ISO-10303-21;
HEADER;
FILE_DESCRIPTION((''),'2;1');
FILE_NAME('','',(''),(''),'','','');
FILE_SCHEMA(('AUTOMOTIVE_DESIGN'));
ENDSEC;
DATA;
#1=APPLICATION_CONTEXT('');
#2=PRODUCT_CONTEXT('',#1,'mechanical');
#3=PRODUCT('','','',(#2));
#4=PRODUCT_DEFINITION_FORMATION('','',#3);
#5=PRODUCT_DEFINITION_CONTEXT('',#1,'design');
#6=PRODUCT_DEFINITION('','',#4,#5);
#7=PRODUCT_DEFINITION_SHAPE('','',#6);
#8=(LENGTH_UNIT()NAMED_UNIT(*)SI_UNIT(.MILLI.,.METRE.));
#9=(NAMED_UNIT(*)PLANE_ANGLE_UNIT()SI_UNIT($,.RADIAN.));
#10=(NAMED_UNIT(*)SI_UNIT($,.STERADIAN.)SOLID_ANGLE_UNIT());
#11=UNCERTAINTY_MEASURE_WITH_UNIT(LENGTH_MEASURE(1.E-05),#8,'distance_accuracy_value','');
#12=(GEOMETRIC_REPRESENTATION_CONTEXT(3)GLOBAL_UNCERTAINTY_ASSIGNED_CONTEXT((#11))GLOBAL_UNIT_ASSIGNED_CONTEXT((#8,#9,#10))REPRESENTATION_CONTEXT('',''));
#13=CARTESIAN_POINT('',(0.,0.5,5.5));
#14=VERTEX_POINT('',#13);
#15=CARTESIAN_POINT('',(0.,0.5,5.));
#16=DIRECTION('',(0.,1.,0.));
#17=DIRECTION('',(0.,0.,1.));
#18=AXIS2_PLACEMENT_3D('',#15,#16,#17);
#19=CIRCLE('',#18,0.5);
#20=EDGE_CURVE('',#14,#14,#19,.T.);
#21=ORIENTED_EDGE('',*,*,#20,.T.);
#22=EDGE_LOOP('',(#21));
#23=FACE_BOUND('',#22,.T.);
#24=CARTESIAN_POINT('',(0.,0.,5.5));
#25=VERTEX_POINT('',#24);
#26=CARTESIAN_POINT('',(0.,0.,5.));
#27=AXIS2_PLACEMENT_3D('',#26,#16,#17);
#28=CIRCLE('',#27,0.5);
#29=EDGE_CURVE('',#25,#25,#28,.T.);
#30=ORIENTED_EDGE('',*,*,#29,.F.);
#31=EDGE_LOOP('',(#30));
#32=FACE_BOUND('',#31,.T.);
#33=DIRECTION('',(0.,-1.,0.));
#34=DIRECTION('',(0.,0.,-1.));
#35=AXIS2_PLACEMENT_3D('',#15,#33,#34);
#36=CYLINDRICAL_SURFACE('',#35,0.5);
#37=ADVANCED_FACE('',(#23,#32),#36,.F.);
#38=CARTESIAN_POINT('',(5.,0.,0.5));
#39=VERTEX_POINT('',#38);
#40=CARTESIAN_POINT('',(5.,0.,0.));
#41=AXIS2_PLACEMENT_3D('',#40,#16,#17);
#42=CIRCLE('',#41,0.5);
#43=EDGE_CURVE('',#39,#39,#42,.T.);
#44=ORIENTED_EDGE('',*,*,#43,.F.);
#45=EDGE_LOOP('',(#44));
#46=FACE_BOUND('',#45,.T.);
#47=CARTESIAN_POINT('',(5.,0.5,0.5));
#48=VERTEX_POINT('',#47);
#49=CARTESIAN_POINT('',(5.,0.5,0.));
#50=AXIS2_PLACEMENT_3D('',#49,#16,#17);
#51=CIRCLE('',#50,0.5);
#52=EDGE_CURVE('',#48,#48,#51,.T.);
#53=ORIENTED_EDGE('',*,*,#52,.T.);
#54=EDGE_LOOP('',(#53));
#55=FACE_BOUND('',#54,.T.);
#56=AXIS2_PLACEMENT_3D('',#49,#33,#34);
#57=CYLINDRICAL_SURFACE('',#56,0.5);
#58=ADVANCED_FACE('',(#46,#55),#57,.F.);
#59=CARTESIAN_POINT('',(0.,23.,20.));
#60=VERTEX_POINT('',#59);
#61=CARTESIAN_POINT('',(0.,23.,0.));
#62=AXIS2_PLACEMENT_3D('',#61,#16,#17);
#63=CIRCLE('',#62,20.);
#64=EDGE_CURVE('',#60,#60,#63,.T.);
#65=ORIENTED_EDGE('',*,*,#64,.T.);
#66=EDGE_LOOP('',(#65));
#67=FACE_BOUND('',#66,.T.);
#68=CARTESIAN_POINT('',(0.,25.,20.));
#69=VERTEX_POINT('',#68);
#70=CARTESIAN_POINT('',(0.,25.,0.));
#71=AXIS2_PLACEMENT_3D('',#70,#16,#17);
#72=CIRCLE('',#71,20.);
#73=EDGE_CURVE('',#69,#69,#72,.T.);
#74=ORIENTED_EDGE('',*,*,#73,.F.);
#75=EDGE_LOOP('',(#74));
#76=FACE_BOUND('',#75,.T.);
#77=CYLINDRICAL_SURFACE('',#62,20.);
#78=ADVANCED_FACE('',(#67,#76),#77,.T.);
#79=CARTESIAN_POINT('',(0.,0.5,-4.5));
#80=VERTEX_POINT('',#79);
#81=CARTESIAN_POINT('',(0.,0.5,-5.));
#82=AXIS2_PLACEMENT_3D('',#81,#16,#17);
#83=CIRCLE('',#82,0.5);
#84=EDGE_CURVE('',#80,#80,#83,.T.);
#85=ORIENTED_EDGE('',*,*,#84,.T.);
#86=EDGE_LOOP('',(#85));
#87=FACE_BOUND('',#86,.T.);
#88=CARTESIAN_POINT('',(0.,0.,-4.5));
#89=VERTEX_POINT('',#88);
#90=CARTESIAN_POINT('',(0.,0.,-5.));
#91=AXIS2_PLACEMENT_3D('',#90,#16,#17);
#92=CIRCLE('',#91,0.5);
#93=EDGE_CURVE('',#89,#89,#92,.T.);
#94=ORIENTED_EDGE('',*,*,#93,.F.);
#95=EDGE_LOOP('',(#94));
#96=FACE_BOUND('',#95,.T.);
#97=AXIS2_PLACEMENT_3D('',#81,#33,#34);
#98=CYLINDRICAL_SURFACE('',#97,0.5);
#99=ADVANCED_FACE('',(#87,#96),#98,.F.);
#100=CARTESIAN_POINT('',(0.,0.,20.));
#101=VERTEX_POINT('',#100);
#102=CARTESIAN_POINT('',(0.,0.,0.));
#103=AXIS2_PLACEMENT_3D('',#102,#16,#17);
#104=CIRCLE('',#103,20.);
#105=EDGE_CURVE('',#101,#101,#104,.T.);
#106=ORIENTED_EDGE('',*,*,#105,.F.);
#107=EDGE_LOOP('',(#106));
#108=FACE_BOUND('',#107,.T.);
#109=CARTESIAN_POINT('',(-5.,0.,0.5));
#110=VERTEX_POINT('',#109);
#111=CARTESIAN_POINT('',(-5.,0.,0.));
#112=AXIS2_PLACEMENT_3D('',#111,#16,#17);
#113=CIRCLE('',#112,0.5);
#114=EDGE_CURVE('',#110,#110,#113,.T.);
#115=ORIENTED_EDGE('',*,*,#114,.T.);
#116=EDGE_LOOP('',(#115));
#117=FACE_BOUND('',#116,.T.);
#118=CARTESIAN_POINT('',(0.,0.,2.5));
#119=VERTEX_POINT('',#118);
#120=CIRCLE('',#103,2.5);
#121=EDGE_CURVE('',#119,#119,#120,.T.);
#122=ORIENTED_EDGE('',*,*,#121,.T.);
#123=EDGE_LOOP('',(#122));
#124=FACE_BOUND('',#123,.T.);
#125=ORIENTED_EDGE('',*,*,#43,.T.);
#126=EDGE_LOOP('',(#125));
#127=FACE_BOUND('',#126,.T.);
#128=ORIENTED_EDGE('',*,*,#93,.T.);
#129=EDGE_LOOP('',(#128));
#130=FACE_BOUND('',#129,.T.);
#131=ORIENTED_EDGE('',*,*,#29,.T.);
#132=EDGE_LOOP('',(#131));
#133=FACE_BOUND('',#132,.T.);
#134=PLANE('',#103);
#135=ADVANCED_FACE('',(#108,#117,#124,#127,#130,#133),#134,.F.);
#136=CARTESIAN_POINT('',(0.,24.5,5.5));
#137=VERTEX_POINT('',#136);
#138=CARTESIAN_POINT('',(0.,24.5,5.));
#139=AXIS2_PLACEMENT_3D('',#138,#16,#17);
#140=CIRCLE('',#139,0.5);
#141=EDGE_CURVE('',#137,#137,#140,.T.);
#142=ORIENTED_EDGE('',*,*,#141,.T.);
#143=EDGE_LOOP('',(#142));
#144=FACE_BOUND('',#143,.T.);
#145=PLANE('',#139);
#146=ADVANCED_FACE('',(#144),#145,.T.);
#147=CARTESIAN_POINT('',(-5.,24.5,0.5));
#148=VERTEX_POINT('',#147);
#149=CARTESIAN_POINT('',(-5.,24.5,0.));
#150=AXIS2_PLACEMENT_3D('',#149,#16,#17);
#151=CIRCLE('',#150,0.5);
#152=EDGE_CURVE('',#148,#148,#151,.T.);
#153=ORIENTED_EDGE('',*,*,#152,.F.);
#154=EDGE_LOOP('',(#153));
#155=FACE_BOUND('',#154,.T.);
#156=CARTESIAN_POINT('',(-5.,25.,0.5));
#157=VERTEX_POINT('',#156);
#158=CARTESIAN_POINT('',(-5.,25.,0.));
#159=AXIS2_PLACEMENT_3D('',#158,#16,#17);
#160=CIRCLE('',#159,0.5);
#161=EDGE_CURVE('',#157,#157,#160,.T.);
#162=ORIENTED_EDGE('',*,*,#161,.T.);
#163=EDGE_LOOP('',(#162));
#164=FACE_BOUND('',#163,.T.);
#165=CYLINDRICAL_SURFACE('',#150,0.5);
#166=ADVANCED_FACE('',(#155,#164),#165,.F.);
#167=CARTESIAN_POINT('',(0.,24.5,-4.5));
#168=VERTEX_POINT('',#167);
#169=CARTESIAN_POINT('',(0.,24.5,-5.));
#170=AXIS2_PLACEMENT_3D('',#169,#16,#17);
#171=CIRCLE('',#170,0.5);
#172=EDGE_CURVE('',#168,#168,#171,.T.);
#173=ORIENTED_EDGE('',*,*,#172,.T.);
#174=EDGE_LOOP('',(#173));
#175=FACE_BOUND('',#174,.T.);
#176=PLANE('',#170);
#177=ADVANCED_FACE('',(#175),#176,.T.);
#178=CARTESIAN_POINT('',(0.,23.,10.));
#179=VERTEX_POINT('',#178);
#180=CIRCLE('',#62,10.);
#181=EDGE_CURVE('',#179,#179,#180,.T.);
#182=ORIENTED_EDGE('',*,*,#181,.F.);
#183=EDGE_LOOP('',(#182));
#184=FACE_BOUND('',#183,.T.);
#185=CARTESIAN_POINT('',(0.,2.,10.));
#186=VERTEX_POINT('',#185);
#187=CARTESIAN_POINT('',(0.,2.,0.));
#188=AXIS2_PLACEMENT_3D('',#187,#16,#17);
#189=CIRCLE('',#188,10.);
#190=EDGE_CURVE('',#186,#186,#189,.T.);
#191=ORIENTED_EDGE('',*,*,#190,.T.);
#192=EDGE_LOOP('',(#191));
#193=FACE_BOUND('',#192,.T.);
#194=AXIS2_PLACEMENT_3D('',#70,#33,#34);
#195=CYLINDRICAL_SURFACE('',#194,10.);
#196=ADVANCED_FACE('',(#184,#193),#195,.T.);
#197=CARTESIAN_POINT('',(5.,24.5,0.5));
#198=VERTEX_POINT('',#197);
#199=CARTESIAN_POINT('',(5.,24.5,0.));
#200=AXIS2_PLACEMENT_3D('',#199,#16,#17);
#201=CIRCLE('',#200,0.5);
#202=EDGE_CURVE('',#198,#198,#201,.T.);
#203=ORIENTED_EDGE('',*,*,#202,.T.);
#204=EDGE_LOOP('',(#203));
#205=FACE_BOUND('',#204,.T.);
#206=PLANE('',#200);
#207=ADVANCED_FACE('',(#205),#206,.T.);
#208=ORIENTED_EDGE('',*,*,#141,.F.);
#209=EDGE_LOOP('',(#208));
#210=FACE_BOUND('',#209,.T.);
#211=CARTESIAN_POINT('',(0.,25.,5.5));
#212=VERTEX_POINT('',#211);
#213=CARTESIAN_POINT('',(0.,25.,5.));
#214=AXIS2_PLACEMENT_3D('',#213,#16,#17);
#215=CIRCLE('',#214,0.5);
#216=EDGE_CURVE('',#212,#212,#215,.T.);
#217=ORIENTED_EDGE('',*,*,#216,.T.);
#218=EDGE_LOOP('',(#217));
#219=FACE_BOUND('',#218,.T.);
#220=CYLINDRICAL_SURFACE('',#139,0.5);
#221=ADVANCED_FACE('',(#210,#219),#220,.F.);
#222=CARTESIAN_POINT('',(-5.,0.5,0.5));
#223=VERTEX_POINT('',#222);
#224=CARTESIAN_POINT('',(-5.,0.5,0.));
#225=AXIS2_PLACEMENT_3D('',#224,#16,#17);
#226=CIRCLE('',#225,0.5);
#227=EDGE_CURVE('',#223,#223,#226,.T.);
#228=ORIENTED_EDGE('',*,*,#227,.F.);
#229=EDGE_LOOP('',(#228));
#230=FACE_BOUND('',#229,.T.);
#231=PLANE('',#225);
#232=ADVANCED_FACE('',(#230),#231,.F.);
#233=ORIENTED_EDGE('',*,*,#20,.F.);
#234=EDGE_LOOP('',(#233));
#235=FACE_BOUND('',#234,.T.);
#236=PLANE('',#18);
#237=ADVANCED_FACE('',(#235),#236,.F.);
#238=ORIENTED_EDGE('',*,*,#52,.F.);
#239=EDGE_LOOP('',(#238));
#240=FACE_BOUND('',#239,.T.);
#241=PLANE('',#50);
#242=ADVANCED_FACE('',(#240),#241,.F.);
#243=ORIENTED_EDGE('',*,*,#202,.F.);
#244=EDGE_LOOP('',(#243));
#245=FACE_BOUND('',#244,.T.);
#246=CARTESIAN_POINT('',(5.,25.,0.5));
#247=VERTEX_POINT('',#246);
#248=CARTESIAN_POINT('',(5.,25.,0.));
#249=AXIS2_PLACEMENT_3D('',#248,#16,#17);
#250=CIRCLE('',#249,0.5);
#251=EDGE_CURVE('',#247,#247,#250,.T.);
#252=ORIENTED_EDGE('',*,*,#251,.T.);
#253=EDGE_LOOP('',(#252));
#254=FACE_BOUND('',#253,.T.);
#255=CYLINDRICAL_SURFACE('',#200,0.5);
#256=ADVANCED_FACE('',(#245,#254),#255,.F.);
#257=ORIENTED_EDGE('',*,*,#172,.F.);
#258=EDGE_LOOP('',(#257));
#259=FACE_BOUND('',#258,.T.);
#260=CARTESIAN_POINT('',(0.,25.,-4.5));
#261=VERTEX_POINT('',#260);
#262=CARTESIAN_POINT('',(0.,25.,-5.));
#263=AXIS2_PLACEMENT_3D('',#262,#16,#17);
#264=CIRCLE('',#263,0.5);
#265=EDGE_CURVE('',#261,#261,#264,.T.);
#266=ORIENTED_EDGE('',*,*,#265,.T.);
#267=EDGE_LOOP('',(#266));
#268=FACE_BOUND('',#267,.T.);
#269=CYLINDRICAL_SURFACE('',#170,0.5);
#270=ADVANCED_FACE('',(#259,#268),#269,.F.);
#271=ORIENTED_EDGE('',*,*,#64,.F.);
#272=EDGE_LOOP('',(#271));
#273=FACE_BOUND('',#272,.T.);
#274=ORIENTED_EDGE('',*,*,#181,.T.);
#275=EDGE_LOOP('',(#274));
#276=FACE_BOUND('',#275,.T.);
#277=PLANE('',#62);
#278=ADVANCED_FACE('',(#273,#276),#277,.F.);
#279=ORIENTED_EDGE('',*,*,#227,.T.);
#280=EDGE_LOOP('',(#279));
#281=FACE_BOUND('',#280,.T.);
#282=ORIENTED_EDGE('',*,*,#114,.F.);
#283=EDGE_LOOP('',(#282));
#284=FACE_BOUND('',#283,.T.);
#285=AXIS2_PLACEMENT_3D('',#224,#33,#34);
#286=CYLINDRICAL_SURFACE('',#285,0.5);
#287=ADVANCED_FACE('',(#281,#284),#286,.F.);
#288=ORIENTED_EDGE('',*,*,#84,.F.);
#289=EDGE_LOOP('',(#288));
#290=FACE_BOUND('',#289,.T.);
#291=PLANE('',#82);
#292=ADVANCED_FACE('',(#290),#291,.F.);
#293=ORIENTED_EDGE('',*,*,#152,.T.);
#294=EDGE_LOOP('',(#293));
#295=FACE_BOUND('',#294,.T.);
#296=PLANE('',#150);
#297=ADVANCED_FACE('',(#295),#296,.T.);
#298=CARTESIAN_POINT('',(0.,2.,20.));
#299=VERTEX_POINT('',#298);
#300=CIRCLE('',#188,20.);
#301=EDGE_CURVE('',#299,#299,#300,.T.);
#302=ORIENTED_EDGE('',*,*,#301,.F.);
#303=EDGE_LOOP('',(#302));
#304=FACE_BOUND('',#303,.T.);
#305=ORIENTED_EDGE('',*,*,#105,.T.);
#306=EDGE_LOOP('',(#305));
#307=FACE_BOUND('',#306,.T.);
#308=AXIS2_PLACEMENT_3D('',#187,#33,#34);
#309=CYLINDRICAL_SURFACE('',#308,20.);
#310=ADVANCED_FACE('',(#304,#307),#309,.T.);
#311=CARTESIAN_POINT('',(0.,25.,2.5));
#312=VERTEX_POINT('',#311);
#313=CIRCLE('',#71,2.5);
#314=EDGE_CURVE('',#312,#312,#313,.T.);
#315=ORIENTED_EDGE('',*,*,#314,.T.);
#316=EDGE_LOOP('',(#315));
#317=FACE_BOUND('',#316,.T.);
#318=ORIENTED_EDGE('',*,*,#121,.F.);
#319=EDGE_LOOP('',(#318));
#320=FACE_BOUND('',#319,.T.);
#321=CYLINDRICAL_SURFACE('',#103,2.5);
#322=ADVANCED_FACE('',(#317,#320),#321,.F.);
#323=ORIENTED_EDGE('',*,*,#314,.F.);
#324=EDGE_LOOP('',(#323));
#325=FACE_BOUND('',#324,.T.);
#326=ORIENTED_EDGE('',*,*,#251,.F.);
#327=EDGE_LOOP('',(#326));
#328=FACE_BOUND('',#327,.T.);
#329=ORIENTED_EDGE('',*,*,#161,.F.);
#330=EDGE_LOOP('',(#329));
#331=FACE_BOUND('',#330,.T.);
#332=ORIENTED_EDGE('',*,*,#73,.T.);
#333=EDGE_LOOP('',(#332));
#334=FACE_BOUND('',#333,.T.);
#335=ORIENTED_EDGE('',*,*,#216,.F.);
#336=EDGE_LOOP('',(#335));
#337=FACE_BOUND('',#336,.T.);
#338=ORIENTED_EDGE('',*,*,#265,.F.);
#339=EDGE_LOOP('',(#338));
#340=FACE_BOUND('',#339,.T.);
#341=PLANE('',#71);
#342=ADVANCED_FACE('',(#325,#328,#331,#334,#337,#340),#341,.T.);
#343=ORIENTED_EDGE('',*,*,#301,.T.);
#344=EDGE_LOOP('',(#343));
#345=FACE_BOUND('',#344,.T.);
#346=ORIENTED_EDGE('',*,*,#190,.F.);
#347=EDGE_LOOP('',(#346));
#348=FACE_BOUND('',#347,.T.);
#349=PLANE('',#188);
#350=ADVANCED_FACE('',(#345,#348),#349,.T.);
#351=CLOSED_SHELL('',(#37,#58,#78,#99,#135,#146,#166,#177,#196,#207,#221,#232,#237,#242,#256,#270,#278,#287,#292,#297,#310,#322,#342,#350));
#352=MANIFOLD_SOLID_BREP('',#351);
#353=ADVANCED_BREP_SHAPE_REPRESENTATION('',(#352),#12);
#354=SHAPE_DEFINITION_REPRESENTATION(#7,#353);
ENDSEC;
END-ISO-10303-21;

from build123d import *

# Parameters (mm, degrees)
CROQUIS1_R              = 10
SALIENTE_EXTRUIR1_DEPTH = 25
CROQUIS2_R              = 20
SALIENTE_EXTRUIR2_DEPTH = 2
SALIENTE_EXTRUIR3_START = -23
CROQUIS2_2_R            = 20
SALIENTE_EXTRUIR3_DEPTH = 2
CROQUIS3_R              = 2.5
CORTAR_EXTRUIR1_DEPTH   = 38.749172176
CROQUIS4_R              = 0.5
CORTAR_EXTRUIR2_DEPTH   = 0.5
CORTAR_EXTRUIR3_START   = -24.5
CROQUIS4_2_R            = 0.5
CORTAR_EXTRUIR3_DEPTH   = 0.5


with BuildPart() as part:
    # Croquis1 → Saliente-Extruir1 (new body)
    with BuildSketch(Plane(origin=(0, 0, 0), x_dir=(1, 0, 0), z_dir=(0, 1, 0))):
        Circle(CROQUIS1_R)
    extrude(amount=SALIENTE_EXTRUIR1_DEPTH)

    # Croquis2 → Saliente-Extruir2 (add)
    with BuildSketch(Plane(origin=(0, 25, 0), x_dir=(1, 0, 0), z_dir=(0, 1, 0))):
        Circle(CROQUIS2_R)
    extrude(amount=-SALIENTE_EXTRUIR2_DEPTH)

    # Croquis2<2> → Saliente-Extruir3 (add)
    with BuildSketch(Plane(origin=(0, 25, 0), x_dir=(1, 0, 0), z_dir=(0, 1, 0)).offset(SALIENTE_EXTRUIR3_START)):
        Circle(CROQUIS2_2_R)
    extrude(amount=-SALIENTE_EXTRUIR3_DEPTH)

    # Croquis3 → Cortar-Extruir1 (cut, through all)
    with BuildSketch(Plane(origin=(0, 25, 0), x_dir=(1, 0, 0), z_dir=(0, 1, 0))):
        Circle(CROQUIS3_R)
    extrude(amount=-CORTAR_EXTRUIR1_DEPTH, mode=Mode.SUBTRACT)

    # Croquis4 → Cortar-Extruir2 (cut)
    with BuildSketch(Plane(origin=(0, 25, 0), x_dir=(1, 0, 0), z_dir=(0, 1, 0))):
        with Locations((0, 5)):
            Circle(CROQUIS4_R)
        with Locations((5, 0)):
            Circle(CROQUIS4_R)
        with Locations((0, -5)):
            Circle(CROQUIS4_R)
        with Locations((-5, 0)):
            Circle(CROQUIS4_R)
    extrude(amount=-CORTAR_EXTRUIR2_DEPTH, mode=Mode.SUBTRACT)

    # Croquis4<2> → Cortar-Extruir3 (cut)
    with BuildSketch(Plane(origin=(0, 25, 0), x_dir=(1, 0, 0), z_dir=(0, 1, 0)).offset(CORTAR_EXTRUIR3_START)):
        with Locations((0, 5)):
            Circle(CROQUIS4_2_R)
        with Locations((5, 0)):
            Circle(CROQUIS4_2_R)
        with Locations((0, -5)):
            Circle(CROQUIS4_2_R)
        with Locations((-5, 0)):
            Circle(CROQUIS4_2_R)
    extrude(amount=-CORTAR_EXTRUIR3_DEPTH, mode=Mode.SUBTRACT)


solid = part.part
